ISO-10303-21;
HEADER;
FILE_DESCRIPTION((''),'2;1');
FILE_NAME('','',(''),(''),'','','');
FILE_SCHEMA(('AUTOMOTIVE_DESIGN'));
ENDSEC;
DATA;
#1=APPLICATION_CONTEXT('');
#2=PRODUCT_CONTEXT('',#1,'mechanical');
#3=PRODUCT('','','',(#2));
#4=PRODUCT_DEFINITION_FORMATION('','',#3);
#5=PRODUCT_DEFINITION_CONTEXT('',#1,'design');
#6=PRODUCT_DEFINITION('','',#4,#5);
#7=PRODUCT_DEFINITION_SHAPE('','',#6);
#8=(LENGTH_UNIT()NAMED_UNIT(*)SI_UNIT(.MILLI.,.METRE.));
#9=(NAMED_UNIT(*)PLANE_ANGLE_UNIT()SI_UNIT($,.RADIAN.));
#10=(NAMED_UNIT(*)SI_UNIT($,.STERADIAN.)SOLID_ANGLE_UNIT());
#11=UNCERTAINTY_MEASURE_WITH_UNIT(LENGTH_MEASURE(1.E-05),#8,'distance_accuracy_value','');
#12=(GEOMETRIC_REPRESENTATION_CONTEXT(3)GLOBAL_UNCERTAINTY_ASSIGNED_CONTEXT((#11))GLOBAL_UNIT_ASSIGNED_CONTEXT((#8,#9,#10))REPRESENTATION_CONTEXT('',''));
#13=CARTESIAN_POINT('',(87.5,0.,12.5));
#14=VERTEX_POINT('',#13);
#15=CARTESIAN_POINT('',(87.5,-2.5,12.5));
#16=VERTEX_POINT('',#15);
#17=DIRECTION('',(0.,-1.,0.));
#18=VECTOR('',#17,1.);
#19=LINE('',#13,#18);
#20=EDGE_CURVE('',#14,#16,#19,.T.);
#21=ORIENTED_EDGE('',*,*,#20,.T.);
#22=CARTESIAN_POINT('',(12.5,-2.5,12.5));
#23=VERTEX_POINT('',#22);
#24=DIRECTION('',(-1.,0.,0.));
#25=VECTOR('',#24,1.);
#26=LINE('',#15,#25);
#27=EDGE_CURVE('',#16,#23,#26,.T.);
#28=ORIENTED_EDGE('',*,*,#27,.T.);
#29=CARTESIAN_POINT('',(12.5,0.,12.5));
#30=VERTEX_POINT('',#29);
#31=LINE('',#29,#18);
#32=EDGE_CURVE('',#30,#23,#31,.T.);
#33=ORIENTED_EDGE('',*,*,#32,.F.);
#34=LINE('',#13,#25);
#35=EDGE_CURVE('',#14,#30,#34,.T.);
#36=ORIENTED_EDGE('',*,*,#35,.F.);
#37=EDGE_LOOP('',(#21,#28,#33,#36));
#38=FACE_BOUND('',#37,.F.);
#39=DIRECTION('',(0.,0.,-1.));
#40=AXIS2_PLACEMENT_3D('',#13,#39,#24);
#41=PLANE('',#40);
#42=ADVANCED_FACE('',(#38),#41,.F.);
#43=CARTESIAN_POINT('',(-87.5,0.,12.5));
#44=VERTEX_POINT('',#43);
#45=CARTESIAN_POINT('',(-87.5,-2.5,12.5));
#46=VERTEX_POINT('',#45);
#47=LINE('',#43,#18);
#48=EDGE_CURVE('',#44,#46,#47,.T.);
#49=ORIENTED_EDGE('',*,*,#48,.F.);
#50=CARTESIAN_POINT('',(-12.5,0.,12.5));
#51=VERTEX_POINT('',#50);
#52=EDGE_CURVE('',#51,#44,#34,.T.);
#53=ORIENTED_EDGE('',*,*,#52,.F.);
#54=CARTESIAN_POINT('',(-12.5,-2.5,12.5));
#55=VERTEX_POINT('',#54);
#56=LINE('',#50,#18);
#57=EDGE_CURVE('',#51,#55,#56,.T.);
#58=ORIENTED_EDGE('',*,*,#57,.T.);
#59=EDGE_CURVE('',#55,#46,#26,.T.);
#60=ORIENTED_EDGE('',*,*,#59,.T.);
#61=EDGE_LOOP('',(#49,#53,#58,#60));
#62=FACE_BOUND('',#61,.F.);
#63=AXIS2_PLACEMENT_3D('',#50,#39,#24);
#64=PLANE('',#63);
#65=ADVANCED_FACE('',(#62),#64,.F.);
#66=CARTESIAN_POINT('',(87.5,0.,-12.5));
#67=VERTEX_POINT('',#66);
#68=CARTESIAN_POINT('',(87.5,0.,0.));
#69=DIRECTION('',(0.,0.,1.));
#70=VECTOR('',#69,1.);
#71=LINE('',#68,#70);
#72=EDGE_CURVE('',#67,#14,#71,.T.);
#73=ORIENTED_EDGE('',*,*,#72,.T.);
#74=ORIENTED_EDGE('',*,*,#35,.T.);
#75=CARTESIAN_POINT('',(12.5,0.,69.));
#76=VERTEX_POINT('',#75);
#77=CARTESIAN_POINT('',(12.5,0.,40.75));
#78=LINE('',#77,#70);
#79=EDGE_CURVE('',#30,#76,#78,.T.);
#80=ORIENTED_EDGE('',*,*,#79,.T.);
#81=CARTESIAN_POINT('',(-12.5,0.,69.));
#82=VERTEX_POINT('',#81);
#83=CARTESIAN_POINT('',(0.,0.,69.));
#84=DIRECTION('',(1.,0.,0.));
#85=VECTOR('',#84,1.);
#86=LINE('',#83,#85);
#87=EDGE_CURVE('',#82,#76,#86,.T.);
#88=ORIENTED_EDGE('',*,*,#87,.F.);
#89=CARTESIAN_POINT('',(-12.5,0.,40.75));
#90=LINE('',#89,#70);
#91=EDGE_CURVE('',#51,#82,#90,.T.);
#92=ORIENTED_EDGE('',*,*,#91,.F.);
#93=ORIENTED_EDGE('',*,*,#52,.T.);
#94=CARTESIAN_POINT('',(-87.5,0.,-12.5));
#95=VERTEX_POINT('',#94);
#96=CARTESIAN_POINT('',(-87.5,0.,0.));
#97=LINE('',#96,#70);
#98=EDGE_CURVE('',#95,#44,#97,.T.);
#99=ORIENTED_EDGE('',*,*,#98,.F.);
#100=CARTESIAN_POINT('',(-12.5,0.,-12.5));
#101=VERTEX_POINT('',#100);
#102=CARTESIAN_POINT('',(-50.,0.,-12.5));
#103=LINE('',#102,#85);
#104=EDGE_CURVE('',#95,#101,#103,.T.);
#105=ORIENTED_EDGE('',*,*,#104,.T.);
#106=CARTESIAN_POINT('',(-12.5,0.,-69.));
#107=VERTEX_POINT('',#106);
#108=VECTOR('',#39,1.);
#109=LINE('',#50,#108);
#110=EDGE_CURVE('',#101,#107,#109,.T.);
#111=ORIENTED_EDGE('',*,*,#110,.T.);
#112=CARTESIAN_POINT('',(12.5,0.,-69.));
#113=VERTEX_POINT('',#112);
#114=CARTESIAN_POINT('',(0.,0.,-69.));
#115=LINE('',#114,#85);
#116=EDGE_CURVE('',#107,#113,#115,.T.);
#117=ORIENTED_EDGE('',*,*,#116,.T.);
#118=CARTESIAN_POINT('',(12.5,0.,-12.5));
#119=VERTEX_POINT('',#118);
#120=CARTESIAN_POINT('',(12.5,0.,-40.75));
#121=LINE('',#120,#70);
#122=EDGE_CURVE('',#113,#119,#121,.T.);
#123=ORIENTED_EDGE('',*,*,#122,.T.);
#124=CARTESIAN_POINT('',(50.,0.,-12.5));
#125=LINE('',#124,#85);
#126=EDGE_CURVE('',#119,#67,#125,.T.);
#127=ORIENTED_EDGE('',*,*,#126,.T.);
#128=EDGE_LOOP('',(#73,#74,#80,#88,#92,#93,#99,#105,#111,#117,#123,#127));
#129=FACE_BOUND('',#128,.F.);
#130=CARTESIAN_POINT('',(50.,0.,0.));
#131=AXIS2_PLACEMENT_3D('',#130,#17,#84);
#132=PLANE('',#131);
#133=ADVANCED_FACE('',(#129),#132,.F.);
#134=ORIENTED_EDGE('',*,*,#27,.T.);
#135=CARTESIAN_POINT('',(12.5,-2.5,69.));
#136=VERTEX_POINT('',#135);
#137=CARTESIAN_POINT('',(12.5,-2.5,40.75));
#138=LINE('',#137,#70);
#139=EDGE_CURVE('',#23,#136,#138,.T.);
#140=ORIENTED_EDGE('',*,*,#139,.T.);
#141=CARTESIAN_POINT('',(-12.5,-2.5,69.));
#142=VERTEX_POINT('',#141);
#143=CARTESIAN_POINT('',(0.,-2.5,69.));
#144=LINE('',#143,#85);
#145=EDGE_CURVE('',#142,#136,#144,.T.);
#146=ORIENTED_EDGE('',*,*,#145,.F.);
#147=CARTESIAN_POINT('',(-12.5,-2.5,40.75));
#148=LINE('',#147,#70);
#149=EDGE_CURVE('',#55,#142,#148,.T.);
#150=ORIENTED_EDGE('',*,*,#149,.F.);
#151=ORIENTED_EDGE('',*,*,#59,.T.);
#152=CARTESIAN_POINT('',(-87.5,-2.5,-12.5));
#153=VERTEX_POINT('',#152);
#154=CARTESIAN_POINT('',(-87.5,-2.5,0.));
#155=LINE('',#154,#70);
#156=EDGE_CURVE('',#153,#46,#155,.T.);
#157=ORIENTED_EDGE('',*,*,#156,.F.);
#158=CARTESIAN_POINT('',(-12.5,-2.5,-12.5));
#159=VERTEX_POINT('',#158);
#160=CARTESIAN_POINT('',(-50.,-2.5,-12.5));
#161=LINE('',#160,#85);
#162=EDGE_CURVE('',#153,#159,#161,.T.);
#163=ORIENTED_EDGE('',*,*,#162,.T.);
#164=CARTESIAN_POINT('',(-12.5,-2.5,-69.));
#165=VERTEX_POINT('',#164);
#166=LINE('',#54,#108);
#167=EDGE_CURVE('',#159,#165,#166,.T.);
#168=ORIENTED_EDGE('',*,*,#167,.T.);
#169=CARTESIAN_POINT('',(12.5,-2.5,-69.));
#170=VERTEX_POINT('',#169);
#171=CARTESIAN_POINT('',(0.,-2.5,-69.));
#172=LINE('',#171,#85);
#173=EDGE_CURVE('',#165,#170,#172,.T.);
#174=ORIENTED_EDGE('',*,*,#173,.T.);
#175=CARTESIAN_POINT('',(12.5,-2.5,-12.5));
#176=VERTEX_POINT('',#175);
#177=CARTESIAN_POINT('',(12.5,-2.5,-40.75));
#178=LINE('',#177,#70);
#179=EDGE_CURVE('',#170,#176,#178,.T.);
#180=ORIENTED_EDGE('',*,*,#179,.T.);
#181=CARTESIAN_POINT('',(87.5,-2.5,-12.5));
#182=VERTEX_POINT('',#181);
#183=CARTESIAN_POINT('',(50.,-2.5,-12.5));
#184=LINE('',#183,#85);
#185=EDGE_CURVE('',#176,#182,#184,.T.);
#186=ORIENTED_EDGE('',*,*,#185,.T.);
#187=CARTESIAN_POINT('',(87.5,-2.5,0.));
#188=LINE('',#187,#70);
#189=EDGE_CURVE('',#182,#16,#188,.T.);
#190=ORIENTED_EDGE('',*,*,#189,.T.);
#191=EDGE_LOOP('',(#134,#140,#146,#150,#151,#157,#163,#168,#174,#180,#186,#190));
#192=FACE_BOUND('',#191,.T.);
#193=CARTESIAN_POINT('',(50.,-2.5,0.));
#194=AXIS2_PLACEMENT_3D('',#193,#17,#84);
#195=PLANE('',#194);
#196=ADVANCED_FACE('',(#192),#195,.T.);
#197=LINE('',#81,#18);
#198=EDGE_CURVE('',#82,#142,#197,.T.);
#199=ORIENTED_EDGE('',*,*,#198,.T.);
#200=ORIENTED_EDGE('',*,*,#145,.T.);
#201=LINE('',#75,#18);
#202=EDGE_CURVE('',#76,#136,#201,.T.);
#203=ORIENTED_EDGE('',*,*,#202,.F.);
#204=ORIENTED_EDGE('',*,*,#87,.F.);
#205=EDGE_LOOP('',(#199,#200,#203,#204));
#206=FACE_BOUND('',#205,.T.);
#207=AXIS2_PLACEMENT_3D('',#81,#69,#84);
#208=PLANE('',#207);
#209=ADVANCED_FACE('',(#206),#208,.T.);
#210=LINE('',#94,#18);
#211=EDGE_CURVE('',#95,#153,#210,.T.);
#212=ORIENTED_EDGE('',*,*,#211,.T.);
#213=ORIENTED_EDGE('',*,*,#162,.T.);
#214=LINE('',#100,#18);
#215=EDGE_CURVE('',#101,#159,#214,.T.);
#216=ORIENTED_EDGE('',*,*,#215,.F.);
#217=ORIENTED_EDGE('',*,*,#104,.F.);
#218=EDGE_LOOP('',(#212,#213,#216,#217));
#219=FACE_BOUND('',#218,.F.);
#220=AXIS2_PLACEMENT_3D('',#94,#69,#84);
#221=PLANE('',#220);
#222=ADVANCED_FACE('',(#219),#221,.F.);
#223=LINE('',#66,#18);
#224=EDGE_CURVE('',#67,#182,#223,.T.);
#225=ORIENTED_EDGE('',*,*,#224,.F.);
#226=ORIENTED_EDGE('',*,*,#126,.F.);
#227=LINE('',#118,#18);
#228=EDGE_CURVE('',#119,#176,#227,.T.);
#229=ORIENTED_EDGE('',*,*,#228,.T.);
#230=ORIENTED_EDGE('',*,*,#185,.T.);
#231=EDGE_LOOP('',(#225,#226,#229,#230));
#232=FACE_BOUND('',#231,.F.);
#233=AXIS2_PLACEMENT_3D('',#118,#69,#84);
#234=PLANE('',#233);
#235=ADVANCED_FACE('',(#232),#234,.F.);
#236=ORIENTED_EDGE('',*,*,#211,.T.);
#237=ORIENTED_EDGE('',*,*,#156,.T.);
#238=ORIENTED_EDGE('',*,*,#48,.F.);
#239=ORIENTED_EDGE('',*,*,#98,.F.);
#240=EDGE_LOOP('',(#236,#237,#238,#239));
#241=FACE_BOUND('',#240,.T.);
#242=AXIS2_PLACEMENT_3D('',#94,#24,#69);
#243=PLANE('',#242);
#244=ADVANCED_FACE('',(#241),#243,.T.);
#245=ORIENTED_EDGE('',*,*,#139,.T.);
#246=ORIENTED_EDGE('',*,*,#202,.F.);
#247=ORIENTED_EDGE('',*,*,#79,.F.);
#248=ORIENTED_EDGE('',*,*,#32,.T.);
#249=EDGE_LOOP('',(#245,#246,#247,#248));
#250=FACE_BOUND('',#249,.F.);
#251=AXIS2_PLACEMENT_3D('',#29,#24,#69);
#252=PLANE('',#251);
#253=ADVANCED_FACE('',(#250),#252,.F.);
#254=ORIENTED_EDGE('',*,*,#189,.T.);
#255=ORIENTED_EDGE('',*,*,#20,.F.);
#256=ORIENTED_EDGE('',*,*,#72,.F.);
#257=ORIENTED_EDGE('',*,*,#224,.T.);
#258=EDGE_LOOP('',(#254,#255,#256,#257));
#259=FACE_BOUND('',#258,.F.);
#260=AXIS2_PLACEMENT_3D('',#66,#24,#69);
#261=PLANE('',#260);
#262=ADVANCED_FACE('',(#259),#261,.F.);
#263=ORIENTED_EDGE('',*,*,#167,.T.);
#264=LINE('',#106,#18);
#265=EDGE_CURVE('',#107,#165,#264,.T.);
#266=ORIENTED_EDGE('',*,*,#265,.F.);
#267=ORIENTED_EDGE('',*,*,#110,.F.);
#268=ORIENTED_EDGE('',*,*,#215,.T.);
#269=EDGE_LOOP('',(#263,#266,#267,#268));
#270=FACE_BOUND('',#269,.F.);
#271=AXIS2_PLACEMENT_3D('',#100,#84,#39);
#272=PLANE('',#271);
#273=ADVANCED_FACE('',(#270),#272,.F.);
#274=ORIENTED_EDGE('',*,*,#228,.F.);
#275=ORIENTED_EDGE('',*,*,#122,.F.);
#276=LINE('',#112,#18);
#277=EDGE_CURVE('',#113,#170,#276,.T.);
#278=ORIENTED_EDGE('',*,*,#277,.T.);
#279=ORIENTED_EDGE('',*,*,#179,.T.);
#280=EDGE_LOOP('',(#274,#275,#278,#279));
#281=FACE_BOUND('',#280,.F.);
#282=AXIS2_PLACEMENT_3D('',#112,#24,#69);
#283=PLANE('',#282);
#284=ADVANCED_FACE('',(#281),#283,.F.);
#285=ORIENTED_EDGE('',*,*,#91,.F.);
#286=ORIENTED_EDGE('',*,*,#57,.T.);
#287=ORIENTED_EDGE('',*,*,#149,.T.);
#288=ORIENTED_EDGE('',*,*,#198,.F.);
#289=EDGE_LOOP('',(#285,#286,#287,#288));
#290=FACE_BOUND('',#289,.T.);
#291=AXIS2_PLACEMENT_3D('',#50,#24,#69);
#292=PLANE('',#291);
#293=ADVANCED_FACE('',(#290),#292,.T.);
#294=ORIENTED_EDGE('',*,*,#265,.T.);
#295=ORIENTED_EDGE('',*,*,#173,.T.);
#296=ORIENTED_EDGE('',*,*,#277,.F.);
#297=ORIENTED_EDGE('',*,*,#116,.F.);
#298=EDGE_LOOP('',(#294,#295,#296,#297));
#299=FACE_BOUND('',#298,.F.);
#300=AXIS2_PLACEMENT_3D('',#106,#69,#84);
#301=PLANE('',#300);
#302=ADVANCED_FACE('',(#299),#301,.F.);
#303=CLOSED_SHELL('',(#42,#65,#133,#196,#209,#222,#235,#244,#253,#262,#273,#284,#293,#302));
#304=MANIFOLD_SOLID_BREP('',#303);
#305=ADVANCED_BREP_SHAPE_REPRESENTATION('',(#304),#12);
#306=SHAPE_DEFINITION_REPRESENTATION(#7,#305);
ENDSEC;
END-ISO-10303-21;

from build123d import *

# Parameters (mm, degrees)
F0_W     = 75
F0_H     = 25
F0_W_2   = 25
F0_H_2   = 56.5
F1_DEPTH = 2.5


with BuildPart() as f1:
    # F0 (on Front) → F1 (new body)
    with BuildSketch(Plane.XZ):
        with Locations((50, 0)):
            Rectangle(F0_W, F0_H)
        with Locations((0, -40.75)):
            Rectangle(F0_W_2, F0_H_2)
        Rectangle(F0_W_2, F0_H)
        with Locations((-50, 0)):
            Rectangle(F0_W, F0_H)
        with Locations((0, 40.75)):
            Rectangle(F0_W_2, F0_H_2)
    extrude(amount=F1_DEPTH)


solid = f1.part
